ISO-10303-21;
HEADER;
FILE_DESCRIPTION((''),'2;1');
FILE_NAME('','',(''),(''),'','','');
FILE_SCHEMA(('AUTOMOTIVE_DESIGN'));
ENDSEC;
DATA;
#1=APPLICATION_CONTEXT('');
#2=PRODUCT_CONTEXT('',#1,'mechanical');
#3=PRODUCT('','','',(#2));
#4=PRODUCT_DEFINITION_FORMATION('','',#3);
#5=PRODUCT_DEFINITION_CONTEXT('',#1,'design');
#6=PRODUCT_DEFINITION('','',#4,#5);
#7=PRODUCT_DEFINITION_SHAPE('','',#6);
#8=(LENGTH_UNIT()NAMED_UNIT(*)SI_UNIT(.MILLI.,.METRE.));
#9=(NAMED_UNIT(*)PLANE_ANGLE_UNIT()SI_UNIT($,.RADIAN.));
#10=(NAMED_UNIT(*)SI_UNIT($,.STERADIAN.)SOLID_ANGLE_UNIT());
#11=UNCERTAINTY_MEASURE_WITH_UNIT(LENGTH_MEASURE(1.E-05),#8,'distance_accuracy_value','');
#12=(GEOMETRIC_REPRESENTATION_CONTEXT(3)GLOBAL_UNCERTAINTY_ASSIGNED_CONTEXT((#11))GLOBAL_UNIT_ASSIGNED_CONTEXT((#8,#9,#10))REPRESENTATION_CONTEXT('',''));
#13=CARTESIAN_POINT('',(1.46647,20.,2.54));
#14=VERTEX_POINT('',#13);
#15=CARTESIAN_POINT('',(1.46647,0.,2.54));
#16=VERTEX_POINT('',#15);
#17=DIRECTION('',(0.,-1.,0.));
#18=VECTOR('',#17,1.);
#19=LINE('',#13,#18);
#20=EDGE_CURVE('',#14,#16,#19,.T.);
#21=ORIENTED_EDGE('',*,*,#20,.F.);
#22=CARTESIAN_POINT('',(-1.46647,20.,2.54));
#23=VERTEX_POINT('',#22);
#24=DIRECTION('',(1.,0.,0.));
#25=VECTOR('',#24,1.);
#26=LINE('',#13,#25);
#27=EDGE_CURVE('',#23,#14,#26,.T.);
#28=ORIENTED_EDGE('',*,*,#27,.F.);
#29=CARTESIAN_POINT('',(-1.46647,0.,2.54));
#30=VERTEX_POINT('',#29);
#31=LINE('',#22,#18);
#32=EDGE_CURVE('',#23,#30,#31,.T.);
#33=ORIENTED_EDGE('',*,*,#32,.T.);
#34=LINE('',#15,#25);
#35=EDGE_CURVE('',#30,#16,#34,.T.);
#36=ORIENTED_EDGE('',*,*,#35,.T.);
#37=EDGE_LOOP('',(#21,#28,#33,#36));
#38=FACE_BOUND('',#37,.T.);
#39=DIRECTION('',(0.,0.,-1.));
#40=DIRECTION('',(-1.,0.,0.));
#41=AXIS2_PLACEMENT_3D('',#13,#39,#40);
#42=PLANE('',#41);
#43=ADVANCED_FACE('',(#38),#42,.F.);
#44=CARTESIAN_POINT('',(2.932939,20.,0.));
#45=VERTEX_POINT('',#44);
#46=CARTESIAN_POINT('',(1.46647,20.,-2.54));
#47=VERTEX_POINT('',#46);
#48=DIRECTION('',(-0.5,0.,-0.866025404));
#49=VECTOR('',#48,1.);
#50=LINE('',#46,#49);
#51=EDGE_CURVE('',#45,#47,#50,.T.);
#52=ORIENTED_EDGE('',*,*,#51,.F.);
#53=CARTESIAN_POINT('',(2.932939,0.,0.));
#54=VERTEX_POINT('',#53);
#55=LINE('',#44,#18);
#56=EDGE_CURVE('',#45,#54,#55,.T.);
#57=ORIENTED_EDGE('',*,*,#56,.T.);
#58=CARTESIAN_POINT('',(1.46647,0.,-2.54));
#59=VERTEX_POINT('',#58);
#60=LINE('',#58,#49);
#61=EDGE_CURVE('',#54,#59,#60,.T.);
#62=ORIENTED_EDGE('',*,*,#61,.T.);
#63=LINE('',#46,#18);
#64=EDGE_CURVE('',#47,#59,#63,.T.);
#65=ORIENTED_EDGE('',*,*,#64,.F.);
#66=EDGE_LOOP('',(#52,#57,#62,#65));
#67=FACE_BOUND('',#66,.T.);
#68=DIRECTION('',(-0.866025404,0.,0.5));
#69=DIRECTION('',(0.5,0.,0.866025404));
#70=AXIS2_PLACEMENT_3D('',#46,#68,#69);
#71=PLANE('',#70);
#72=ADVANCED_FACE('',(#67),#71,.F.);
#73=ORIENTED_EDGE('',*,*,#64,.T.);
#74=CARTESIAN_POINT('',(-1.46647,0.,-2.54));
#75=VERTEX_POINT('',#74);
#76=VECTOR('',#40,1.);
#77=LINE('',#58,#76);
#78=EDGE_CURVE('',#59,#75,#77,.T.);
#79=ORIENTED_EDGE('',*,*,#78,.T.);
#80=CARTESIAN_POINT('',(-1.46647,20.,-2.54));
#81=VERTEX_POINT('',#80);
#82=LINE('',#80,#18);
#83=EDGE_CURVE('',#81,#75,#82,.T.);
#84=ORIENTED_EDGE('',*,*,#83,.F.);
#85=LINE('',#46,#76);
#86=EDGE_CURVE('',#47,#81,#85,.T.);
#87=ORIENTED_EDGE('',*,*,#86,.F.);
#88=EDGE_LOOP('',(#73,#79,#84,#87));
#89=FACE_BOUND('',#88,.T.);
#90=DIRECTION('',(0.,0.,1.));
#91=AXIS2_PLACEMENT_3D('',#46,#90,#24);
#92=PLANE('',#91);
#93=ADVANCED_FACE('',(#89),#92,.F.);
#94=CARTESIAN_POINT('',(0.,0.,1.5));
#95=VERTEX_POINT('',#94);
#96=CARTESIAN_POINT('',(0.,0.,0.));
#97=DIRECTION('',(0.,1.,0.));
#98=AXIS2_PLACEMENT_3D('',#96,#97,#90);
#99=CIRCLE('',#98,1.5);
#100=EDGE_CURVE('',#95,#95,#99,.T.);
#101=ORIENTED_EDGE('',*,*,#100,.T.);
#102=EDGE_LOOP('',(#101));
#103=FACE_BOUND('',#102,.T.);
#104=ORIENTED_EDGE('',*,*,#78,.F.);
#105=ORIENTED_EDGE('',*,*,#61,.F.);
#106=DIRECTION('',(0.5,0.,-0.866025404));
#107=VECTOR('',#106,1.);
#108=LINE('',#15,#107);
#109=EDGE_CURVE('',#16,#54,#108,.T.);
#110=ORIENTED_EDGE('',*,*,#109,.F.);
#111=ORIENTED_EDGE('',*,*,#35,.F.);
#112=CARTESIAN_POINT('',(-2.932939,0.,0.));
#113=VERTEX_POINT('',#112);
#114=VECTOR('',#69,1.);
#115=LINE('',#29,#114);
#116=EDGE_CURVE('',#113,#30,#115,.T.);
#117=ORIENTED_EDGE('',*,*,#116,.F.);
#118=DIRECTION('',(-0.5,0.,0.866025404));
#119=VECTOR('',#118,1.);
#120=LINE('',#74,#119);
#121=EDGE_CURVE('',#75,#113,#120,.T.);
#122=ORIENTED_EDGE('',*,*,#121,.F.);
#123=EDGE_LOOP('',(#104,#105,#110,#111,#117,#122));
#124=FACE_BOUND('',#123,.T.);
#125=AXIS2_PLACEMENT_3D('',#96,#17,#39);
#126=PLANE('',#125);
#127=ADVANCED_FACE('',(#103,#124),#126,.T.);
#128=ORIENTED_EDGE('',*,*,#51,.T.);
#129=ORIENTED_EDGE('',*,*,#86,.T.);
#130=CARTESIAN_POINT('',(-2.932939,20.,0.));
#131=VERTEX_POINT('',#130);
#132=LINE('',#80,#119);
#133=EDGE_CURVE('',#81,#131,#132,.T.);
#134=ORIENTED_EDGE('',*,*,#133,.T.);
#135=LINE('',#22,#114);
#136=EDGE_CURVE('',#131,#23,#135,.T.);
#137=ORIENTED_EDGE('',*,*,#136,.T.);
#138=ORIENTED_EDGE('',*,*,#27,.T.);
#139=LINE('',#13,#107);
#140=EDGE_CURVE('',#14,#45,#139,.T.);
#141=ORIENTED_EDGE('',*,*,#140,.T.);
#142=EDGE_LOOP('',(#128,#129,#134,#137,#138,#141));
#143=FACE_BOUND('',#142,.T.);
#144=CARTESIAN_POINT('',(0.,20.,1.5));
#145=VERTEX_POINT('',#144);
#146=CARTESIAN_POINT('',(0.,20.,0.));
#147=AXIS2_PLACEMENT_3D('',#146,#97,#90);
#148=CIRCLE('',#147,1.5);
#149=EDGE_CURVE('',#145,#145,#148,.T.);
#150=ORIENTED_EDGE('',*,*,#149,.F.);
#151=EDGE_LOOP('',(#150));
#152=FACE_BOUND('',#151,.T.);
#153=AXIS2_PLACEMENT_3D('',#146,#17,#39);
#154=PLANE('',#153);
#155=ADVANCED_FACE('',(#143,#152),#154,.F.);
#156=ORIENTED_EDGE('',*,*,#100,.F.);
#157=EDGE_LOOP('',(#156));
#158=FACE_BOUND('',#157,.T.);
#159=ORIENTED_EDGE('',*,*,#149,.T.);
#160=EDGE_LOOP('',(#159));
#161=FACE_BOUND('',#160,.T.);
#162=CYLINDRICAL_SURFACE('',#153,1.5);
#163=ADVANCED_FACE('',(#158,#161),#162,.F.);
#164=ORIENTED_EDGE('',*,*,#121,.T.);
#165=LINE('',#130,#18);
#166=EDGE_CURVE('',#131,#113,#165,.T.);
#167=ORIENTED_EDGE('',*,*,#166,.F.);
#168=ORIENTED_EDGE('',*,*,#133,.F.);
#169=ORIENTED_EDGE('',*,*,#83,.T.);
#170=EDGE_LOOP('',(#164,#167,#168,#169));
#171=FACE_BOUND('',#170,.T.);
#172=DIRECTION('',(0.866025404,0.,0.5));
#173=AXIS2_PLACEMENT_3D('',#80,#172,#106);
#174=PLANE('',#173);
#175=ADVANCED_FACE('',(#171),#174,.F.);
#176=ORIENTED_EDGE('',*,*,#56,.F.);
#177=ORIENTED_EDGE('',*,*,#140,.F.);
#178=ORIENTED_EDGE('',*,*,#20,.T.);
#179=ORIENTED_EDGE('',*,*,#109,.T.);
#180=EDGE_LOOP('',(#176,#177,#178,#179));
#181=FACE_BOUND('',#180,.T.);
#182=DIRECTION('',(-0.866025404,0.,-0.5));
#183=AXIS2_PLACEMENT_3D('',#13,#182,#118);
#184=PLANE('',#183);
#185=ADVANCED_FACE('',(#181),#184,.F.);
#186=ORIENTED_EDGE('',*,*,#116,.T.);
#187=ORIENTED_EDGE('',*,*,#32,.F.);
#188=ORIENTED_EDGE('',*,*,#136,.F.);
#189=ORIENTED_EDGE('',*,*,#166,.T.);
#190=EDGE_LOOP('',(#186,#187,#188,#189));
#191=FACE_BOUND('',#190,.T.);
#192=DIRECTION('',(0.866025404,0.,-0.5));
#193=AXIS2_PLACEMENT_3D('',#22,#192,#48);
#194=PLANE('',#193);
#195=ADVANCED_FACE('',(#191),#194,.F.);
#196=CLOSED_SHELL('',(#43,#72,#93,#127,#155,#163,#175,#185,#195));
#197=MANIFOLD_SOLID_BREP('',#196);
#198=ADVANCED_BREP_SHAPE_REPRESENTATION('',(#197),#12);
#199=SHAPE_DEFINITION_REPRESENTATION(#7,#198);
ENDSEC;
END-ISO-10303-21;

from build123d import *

# Parameters (mm, degrees)
SKETCH1_R           = 1.5
BOSS_EXTRUDE1_DEPTH = 20


with BuildPart() as part:
    # Sketch1 → Boss-Extrude1 (new body)
    with BuildSketch(Plane(origin=(0, 0, 0), x_dir=(1, 0, 0), z_dir=(0, 1, 0))):
        Polygon((1.466469684, 2.54), (-1.466469684, 2.54), (-2.932939367, 0), (-1.466469684, -2.54), (1.466469684, -2.54), (2.932939367, 0), align=None)
        with Locations(Location((0, 0, 0), (0, 0, 270))):
            Circle(SKETCH1_R, mode=Mode.SUBTRACT)
    extrude(amount=BOSS_EXTRUDE1_DEPTH)


solid = part.part
